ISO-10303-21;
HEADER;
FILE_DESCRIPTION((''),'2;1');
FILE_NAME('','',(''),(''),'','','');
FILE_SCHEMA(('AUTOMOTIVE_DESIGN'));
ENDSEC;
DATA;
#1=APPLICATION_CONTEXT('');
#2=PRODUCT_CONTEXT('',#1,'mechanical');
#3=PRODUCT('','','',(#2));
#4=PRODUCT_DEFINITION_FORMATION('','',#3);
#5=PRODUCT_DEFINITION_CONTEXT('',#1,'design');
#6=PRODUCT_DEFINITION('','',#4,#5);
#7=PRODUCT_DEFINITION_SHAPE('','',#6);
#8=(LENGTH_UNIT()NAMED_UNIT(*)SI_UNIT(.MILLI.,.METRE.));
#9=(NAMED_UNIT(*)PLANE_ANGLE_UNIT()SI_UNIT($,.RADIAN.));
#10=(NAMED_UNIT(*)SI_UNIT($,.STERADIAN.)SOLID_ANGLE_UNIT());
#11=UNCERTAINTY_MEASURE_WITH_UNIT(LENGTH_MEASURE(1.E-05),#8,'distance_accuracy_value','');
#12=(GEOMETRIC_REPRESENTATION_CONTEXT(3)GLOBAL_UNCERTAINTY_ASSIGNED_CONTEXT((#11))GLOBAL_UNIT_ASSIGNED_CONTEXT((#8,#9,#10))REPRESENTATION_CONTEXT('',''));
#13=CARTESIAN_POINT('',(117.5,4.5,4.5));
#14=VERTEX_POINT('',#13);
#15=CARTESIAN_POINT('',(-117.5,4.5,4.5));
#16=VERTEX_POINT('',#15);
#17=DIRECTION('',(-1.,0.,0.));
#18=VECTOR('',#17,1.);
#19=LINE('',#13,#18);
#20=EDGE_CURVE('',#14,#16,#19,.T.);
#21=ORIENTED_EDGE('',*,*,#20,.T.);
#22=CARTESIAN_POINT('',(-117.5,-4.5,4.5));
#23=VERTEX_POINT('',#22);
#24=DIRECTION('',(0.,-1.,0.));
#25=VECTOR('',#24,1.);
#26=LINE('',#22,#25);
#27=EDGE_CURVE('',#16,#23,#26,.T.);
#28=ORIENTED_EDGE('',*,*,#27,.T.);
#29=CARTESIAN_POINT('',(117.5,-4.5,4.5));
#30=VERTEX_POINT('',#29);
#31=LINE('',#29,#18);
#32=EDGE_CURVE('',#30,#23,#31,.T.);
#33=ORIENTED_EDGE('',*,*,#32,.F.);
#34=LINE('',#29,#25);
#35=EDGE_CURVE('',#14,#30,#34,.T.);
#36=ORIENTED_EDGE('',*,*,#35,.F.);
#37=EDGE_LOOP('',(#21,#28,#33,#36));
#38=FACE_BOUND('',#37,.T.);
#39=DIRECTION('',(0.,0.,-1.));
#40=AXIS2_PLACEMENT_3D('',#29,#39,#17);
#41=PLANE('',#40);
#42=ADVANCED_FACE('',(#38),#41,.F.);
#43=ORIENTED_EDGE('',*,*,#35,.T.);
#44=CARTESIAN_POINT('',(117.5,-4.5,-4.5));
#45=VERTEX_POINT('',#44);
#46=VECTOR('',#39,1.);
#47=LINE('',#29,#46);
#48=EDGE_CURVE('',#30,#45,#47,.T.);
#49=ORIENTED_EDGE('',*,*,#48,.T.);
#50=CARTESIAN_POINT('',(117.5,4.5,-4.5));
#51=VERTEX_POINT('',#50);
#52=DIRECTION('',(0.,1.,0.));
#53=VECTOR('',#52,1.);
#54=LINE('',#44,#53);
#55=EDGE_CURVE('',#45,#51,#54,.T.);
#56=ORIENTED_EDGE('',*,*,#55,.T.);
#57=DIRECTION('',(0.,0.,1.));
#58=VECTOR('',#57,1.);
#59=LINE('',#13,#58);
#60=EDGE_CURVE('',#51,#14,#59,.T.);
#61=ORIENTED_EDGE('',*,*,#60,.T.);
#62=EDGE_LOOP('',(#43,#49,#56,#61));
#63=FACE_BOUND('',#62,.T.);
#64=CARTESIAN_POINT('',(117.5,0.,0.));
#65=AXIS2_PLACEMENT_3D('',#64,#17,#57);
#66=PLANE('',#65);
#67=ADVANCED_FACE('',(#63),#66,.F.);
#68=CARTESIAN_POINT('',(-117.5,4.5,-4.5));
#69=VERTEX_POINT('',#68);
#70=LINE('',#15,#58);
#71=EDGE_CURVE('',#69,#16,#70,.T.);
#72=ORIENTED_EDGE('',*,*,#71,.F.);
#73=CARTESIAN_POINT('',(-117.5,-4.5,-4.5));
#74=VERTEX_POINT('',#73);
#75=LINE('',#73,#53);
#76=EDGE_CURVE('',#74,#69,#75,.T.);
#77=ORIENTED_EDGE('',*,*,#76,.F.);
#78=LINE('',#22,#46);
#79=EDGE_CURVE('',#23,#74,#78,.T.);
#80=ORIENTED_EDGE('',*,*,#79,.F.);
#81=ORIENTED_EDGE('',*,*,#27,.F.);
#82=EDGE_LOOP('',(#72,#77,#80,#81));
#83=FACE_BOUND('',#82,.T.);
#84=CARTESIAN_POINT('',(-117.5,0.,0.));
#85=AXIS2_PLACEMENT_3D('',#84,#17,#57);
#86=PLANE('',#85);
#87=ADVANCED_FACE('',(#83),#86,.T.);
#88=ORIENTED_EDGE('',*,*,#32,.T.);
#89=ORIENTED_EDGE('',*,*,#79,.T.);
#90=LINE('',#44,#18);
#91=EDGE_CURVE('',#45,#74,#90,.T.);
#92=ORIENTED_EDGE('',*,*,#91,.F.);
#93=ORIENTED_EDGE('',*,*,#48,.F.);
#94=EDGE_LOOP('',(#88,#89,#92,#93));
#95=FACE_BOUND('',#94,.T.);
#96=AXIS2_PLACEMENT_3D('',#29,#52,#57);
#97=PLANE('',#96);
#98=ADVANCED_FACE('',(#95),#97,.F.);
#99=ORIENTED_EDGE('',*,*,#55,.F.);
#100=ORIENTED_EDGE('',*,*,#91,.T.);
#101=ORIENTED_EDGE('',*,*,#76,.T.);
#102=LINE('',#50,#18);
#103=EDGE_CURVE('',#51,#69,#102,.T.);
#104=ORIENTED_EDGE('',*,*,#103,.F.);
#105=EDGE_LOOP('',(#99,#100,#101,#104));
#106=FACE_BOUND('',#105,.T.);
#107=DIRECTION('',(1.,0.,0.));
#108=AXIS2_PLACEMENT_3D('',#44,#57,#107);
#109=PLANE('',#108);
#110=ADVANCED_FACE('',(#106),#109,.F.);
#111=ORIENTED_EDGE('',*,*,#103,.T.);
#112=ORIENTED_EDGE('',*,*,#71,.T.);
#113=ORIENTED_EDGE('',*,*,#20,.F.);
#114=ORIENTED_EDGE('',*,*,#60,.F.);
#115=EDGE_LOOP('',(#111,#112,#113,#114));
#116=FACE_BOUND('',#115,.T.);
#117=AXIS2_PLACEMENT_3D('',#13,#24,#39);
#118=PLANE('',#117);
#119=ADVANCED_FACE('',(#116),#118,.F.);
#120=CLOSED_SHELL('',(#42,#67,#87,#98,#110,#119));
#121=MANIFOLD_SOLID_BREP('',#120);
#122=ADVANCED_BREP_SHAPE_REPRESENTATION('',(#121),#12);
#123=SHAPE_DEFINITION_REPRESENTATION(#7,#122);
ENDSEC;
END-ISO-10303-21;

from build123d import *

# Parameters (mm, degrees)
BOSS_EXTRUDE1_DEPTH      = 117.5
BOSS_EXTRUDE1_DEPTH_BACK = 117.5
SKETCH2_W                = 9
SKETCH2_H                = 9


with BuildPart() as part:
    # Sketch2 → Boss-Extrude1 (new, two sides: drawn at the far end of the back side and taken through both)
    with BuildSketch(Plane(origin=(0, 0, 0), x_dir=(0, 0, -1), z_dir=(1, 0, 0)).offset(-BOSS_EXTRUDE1_DEPTH_BACK)):
        Rectangle(SKETCH2_W, SKETCH2_H)
    extrude(amount=BOSS_EXTRUDE1_DEPTH + BOSS_EXTRUDE1_DEPTH_BACK)


solid = part.part
